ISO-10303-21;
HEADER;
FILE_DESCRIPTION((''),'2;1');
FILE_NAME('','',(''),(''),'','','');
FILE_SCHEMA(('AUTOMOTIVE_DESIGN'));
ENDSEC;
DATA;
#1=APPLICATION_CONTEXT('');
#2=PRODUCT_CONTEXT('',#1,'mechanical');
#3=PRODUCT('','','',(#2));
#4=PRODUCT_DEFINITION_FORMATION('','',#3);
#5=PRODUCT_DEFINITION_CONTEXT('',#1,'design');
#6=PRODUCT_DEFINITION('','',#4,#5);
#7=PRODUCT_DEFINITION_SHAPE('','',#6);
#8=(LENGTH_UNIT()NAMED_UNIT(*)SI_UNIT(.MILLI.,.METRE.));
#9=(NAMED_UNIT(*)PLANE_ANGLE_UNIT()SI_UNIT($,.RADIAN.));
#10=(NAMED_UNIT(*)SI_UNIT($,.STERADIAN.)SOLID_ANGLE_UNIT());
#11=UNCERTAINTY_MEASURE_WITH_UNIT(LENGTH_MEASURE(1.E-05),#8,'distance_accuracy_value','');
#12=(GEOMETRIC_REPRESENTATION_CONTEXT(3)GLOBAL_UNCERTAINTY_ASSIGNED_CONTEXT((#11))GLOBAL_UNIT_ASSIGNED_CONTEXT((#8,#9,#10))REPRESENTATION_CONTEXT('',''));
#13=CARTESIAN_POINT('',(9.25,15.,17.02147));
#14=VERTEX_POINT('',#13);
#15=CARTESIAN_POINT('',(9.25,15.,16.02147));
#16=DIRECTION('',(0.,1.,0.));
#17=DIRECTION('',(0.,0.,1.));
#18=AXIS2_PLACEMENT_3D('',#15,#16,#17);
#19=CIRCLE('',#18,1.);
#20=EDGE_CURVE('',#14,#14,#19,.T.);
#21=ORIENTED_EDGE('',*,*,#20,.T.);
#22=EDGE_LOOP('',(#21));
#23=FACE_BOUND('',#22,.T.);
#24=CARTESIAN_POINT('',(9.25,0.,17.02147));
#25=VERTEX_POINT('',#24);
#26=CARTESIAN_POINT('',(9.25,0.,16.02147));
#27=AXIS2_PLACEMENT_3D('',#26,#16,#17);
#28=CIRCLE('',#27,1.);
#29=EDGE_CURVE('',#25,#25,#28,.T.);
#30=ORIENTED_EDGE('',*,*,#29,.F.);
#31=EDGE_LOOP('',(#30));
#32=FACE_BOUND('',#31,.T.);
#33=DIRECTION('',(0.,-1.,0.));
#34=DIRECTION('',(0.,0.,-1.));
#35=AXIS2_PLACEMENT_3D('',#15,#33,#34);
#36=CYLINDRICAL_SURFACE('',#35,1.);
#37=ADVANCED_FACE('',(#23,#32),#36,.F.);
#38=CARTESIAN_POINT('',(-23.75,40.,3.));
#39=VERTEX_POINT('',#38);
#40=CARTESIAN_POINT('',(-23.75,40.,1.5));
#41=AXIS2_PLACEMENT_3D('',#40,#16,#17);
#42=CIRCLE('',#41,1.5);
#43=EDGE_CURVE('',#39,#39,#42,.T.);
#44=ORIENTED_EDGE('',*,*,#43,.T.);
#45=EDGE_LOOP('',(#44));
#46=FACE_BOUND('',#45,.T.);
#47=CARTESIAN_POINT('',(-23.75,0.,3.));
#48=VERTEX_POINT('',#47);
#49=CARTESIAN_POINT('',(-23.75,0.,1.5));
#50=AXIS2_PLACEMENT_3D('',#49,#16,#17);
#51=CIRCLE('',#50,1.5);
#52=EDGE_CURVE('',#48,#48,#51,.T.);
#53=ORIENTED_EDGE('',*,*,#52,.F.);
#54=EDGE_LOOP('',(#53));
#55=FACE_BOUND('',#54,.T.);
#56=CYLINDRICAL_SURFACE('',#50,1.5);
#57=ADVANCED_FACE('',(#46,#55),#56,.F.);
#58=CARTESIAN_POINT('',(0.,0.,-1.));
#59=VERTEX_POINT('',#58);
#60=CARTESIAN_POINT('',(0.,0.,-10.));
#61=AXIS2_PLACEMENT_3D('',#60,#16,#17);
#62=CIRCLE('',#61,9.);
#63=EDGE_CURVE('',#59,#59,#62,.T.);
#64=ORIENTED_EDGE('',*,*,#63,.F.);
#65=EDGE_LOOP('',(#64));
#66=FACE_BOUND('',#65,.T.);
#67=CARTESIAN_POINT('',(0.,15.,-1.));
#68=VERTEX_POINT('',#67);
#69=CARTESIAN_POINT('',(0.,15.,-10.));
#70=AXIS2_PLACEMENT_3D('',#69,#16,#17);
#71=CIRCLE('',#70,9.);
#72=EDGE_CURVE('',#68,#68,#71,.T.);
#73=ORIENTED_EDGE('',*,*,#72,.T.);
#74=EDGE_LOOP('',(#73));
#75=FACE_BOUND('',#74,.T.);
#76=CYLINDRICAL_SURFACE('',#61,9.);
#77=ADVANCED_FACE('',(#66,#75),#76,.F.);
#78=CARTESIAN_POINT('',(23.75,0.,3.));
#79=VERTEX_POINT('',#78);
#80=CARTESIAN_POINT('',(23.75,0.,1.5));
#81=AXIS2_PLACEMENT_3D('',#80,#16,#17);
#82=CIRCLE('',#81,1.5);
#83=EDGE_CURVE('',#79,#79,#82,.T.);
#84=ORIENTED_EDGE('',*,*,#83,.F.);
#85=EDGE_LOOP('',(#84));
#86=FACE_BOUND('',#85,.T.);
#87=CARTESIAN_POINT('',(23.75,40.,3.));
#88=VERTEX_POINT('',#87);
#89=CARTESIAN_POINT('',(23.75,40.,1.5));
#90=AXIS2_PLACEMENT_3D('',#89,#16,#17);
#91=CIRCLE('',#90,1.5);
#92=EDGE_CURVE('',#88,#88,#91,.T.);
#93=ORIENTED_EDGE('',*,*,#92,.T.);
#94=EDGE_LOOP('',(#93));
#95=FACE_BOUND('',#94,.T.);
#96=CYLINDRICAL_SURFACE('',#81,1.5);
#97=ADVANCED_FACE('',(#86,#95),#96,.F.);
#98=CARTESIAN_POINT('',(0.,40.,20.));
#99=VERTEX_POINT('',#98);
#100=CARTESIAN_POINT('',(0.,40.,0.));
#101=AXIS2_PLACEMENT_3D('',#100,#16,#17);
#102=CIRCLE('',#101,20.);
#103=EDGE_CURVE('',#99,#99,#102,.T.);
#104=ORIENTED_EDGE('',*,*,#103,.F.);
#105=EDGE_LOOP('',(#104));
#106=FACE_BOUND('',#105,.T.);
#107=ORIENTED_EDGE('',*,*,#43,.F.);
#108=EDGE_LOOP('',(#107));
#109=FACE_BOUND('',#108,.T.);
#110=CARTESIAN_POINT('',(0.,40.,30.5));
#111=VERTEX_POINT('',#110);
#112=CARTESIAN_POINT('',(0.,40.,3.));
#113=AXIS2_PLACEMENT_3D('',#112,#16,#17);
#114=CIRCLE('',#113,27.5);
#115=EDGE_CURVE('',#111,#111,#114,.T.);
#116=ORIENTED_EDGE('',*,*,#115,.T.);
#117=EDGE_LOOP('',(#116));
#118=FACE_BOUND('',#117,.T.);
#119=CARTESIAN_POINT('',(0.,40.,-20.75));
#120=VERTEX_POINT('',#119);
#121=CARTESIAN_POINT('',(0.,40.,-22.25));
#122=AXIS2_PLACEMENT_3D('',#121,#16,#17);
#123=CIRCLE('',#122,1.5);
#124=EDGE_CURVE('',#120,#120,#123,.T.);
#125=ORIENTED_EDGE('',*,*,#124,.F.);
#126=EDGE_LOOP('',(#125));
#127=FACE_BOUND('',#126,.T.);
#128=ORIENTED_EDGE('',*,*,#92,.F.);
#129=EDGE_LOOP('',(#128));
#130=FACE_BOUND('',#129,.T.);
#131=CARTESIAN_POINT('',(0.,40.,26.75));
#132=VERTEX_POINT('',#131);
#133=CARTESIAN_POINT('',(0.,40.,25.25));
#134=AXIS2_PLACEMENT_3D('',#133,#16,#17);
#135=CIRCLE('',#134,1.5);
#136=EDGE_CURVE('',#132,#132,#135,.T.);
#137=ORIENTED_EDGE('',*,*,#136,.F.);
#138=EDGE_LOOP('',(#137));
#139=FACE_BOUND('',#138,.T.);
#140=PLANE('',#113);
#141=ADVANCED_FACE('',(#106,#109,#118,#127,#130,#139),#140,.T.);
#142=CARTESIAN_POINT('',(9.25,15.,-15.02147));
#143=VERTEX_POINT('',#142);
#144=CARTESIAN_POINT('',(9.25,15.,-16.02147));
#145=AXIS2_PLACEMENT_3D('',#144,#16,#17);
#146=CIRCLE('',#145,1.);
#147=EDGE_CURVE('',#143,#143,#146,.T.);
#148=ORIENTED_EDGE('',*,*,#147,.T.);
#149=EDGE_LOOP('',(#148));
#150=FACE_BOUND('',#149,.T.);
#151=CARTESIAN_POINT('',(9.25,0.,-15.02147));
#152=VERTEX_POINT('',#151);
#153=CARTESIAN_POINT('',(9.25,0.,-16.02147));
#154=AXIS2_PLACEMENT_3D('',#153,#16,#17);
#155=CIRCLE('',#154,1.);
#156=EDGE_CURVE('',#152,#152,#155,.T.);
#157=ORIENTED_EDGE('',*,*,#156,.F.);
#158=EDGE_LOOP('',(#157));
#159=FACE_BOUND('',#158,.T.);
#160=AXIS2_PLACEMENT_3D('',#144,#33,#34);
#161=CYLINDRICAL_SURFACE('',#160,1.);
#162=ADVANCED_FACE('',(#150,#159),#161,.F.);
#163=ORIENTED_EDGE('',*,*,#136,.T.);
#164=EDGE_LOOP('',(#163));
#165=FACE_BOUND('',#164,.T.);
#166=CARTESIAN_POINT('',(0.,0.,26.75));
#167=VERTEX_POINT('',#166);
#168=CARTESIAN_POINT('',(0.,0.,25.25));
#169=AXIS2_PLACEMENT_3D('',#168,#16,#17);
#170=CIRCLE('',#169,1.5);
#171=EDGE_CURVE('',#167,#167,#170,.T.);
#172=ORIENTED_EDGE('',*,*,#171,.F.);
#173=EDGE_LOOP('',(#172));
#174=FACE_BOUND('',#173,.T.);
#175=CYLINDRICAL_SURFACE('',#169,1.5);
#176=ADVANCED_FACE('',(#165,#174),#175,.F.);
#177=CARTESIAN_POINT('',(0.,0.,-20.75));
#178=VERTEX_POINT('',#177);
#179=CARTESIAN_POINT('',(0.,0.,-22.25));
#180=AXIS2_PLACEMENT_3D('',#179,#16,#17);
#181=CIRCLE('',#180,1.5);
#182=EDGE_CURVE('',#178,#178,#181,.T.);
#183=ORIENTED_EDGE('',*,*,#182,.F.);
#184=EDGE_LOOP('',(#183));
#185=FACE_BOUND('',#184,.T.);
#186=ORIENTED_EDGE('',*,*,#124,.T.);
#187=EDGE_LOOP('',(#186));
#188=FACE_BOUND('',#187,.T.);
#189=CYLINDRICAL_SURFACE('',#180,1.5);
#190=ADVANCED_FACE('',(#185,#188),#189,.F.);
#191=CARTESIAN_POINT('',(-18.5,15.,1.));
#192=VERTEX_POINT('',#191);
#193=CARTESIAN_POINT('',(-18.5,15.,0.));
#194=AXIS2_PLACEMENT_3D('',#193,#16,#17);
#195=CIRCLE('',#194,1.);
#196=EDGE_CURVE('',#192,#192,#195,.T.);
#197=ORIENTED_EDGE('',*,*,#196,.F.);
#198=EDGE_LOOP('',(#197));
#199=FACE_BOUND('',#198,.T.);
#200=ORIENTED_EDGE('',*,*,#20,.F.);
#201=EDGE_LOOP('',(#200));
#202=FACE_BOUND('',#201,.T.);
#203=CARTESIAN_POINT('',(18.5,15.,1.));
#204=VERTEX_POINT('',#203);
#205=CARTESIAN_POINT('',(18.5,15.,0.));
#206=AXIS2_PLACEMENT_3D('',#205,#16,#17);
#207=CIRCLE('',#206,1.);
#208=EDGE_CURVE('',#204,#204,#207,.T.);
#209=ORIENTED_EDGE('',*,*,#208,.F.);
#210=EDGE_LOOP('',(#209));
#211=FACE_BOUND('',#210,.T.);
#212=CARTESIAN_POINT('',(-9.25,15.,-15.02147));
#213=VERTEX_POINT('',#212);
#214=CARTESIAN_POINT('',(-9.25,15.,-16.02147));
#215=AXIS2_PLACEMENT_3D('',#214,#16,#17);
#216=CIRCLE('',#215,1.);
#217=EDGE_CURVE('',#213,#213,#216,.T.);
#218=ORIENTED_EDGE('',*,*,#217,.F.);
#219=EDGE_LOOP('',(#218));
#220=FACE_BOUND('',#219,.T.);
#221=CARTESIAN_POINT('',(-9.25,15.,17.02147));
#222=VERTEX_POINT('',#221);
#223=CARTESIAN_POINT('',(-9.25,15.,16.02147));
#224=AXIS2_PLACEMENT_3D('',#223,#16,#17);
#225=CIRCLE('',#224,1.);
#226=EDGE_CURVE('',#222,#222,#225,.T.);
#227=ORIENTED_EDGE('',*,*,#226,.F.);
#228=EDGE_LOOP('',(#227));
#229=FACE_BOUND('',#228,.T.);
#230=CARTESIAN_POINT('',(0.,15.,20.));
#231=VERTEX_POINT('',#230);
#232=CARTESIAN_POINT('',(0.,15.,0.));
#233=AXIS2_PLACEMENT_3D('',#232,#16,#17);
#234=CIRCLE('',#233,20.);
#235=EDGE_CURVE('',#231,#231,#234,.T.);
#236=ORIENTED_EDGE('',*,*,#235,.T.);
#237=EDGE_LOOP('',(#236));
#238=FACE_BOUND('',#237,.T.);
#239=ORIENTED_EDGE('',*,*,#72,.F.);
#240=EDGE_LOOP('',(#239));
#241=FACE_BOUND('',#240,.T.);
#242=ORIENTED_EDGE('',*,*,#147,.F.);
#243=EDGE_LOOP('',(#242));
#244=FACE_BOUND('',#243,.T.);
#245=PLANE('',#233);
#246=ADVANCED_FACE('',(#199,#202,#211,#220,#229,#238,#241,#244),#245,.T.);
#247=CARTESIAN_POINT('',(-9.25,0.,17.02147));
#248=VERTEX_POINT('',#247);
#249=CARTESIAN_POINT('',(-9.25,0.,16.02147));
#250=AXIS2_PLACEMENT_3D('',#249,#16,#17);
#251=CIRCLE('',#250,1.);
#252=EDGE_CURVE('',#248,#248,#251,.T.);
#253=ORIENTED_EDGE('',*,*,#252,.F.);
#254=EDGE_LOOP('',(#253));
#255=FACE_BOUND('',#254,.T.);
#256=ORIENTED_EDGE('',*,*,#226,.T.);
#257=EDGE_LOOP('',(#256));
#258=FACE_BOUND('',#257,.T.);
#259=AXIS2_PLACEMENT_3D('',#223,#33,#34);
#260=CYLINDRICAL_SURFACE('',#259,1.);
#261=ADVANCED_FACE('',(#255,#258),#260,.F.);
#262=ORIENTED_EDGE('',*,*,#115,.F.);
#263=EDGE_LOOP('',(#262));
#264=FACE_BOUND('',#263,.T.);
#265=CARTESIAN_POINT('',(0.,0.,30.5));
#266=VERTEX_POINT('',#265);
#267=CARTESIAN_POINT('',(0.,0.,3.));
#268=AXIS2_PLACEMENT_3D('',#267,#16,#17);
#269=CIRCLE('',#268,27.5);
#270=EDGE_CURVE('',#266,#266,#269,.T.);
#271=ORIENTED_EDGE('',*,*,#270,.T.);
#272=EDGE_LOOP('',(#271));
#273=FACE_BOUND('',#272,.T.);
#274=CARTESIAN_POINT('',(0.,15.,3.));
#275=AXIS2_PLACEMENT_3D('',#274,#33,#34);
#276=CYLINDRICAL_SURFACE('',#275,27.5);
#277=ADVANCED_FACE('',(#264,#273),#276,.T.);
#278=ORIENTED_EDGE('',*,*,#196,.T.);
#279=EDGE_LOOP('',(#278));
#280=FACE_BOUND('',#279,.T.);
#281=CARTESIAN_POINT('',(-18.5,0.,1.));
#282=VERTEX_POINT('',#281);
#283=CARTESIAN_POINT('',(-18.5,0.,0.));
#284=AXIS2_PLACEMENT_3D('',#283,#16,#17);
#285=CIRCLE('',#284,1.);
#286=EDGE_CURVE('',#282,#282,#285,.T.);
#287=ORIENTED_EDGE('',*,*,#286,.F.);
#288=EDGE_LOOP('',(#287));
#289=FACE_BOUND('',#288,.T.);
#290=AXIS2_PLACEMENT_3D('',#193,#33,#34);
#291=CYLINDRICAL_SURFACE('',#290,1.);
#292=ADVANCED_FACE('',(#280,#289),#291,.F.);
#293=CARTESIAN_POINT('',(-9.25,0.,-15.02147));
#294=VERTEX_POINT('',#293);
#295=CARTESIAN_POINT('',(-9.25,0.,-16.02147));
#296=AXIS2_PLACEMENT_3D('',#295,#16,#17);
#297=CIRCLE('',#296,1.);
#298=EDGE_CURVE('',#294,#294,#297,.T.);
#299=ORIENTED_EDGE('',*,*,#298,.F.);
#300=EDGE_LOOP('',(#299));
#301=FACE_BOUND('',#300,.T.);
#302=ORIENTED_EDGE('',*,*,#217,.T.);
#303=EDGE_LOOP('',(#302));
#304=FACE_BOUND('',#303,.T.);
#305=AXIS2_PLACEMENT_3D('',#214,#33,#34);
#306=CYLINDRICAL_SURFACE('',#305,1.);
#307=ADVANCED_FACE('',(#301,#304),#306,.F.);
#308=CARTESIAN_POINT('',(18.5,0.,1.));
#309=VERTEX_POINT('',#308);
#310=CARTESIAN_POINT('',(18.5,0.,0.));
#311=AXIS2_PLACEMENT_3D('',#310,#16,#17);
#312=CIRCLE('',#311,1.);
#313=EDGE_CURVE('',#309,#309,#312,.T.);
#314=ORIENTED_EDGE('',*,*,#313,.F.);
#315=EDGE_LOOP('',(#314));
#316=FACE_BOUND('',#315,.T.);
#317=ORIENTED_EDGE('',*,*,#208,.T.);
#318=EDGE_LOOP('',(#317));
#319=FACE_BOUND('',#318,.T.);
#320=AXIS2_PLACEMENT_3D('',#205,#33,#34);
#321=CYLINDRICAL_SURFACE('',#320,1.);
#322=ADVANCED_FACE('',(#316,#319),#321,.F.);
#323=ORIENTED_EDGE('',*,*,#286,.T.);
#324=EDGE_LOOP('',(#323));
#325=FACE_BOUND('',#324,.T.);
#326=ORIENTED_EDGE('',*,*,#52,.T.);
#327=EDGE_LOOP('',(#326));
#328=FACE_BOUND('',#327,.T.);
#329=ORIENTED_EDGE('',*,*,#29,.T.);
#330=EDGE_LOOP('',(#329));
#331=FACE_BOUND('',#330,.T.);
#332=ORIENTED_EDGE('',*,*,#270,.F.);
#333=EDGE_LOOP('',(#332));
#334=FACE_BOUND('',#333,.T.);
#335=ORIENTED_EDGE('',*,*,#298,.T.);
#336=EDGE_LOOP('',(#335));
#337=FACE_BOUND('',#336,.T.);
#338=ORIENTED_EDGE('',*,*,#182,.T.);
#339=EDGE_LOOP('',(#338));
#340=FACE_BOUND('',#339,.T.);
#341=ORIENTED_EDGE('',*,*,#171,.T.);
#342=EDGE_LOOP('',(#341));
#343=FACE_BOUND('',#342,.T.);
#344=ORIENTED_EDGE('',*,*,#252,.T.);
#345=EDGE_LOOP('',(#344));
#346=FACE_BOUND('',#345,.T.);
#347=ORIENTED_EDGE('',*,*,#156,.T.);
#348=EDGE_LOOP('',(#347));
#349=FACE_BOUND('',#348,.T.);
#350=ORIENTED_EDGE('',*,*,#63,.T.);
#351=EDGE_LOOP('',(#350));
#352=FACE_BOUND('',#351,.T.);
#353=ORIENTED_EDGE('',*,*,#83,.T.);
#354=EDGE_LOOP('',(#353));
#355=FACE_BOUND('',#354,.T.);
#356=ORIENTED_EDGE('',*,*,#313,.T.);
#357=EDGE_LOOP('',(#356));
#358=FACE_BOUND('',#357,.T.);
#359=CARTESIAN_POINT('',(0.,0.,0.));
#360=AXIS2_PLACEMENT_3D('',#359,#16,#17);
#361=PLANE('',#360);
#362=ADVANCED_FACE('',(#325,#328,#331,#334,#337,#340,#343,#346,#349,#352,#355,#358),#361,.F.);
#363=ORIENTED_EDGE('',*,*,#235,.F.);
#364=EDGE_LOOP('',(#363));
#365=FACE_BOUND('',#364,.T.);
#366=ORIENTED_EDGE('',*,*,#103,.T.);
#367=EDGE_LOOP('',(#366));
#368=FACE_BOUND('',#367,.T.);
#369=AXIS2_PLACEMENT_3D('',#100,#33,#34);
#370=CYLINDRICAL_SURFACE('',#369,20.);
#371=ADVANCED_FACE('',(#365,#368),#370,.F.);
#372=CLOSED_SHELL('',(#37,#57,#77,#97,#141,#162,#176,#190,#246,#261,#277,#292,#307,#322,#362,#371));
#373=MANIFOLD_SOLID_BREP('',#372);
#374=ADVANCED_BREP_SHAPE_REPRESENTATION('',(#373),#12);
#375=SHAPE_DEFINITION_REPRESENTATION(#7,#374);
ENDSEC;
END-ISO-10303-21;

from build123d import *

# Parameters (mm, degrees)
SKETCH1_R                = 27.5
SKETCH1_R_2              = 1
BOSS_EXTRUDE2_DEPTH      = 15
CUT_EXTRUDE17_DEPTH      = 44.720704477
CUT_EXTRUDE17_DEPTH_BACK = 44.720704477
SKETCH2_R                = 9
SKETCH7_R                = 27.5
SKETCH7_R_2              = 20
BOSS_EXTRUDE4_DEPTH      = 25
CUT_EXTRUDE18_DEPTH      = 58.328003628
CUT_EXTRUDE18_DEPTH_BACK = 58.328003628
SKETCH8_R                = 1.5


with BuildPart() as part:
    # Sketch1 → Boss-Extrude2 (new body)
    with BuildSketch(Plane(origin=(0, 0, 0), x_dir=(1, 0, 0), z_dir=(0, 1, 0))):
        with Locations(Location((0, -3, 0), (0, 0, 270))):
            Circle(SKETCH1_R)
        with Locations(Location((9.25, 16.02146997, 0), (0, 0, 270))):
            Circle(SKETCH1_R_2, mode=Mode.SUBTRACT)
        with Locations(Location((18.5, 0, 0), (0, 0, 270))):
            Circle(SKETCH1_R_2, mode=Mode.SUBTRACT)
        with Locations(Location((9.25, -16.02146997, 0), (0, 0, 270))):
            Circle(SKETCH1_R_2, mode=Mode.SUBTRACT)
        with Locations(Location((-9.25, -16.02146997, 0), (0, 0, 270))):
            Circle(SKETCH1_R_2, mode=Mode.SUBTRACT)
        with Locations(Location((-18.5, 0, 0), (0, 0, 270))):
            Circle(SKETCH1_R_2, mode=Mode.SUBTRACT)
        with Locations(Location((-9.25, 16.02146997, 0), (0, 0, 270))):
            Circle(SKETCH1_R_2, mode=Mode.SUBTRACT)
    extrude(amount=BOSS_EXTRUDE2_DEPTH)

    # Sketch2 → Cut-Extrude17 (cut, two sides: drawn at the far end of the back side and taken through both)
    with BuildSketch(Plane(origin=(0, 15, 0), x_dir=(1, 0, 0), z_dir=(0, 1, 0)).offset(-CUT_EXTRUDE17_DEPTH_BACK)):
        with Locations(Location((0, 10, 0), (0, 0, 270))):
            Circle(SKETCH2_R)
    extrude(amount=CUT_EXTRUDE17_DEPTH + CUT_EXTRUDE17_DEPTH_BACK, mode=Mode.SUBTRACT)

    # Sketch7 → Boss-Extrude4 (add)
    with BuildSketch(Plane(origin=(0, 15, 0), x_dir=(1, 0, 0), z_dir=(0, 1, 0))):
        with Locations(Location((0, -3, 0), (0, 0, 270))):
            Circle(SKETCH7_R)
        with Locations(Location((0, 0, 0), (0, 0, 270))):
            Circle(SKETCH7_R_2, mode=Mode.SUBTRACT)
    extrude(amount=BOSS_EXTRUDE4_DEPTH)

    # Sketch8 → Cut-Extrude18 (cut, two sides: drawn at the far end of the back side and taken through both)
    with BuildSketch(Plane(origin=(0, 40, 0), x_dir=(1, 0, 0), z_dir=(0, 1, 0)).offset(-CUT_EXTRUDE18_DEPTH_BACK)):
        with Locations(Location((0, 22.25, 0), (0, 0, 270))):
            Circle(SKETCH8_R)
        with Locations(Location((23.75, -1.5, 0), (0, 0, 270))):
            Circle(SKETCH8_R)
        with Locations(Location((0, -25.25, 0), (0, 0, 270))):
            Circle(SKETCH8_R)
        with Locations(Location((-23.75, -1.5, 0), (0, 0, 270))):
            Circle(SKETCH8_R)
    extrude(amount=CUT_EXTRUDE18_DEPTH + CUT_EXTRUDE18_DEPTH_BACK, mode=Mode.SUBTRACT)


solid = part.part
